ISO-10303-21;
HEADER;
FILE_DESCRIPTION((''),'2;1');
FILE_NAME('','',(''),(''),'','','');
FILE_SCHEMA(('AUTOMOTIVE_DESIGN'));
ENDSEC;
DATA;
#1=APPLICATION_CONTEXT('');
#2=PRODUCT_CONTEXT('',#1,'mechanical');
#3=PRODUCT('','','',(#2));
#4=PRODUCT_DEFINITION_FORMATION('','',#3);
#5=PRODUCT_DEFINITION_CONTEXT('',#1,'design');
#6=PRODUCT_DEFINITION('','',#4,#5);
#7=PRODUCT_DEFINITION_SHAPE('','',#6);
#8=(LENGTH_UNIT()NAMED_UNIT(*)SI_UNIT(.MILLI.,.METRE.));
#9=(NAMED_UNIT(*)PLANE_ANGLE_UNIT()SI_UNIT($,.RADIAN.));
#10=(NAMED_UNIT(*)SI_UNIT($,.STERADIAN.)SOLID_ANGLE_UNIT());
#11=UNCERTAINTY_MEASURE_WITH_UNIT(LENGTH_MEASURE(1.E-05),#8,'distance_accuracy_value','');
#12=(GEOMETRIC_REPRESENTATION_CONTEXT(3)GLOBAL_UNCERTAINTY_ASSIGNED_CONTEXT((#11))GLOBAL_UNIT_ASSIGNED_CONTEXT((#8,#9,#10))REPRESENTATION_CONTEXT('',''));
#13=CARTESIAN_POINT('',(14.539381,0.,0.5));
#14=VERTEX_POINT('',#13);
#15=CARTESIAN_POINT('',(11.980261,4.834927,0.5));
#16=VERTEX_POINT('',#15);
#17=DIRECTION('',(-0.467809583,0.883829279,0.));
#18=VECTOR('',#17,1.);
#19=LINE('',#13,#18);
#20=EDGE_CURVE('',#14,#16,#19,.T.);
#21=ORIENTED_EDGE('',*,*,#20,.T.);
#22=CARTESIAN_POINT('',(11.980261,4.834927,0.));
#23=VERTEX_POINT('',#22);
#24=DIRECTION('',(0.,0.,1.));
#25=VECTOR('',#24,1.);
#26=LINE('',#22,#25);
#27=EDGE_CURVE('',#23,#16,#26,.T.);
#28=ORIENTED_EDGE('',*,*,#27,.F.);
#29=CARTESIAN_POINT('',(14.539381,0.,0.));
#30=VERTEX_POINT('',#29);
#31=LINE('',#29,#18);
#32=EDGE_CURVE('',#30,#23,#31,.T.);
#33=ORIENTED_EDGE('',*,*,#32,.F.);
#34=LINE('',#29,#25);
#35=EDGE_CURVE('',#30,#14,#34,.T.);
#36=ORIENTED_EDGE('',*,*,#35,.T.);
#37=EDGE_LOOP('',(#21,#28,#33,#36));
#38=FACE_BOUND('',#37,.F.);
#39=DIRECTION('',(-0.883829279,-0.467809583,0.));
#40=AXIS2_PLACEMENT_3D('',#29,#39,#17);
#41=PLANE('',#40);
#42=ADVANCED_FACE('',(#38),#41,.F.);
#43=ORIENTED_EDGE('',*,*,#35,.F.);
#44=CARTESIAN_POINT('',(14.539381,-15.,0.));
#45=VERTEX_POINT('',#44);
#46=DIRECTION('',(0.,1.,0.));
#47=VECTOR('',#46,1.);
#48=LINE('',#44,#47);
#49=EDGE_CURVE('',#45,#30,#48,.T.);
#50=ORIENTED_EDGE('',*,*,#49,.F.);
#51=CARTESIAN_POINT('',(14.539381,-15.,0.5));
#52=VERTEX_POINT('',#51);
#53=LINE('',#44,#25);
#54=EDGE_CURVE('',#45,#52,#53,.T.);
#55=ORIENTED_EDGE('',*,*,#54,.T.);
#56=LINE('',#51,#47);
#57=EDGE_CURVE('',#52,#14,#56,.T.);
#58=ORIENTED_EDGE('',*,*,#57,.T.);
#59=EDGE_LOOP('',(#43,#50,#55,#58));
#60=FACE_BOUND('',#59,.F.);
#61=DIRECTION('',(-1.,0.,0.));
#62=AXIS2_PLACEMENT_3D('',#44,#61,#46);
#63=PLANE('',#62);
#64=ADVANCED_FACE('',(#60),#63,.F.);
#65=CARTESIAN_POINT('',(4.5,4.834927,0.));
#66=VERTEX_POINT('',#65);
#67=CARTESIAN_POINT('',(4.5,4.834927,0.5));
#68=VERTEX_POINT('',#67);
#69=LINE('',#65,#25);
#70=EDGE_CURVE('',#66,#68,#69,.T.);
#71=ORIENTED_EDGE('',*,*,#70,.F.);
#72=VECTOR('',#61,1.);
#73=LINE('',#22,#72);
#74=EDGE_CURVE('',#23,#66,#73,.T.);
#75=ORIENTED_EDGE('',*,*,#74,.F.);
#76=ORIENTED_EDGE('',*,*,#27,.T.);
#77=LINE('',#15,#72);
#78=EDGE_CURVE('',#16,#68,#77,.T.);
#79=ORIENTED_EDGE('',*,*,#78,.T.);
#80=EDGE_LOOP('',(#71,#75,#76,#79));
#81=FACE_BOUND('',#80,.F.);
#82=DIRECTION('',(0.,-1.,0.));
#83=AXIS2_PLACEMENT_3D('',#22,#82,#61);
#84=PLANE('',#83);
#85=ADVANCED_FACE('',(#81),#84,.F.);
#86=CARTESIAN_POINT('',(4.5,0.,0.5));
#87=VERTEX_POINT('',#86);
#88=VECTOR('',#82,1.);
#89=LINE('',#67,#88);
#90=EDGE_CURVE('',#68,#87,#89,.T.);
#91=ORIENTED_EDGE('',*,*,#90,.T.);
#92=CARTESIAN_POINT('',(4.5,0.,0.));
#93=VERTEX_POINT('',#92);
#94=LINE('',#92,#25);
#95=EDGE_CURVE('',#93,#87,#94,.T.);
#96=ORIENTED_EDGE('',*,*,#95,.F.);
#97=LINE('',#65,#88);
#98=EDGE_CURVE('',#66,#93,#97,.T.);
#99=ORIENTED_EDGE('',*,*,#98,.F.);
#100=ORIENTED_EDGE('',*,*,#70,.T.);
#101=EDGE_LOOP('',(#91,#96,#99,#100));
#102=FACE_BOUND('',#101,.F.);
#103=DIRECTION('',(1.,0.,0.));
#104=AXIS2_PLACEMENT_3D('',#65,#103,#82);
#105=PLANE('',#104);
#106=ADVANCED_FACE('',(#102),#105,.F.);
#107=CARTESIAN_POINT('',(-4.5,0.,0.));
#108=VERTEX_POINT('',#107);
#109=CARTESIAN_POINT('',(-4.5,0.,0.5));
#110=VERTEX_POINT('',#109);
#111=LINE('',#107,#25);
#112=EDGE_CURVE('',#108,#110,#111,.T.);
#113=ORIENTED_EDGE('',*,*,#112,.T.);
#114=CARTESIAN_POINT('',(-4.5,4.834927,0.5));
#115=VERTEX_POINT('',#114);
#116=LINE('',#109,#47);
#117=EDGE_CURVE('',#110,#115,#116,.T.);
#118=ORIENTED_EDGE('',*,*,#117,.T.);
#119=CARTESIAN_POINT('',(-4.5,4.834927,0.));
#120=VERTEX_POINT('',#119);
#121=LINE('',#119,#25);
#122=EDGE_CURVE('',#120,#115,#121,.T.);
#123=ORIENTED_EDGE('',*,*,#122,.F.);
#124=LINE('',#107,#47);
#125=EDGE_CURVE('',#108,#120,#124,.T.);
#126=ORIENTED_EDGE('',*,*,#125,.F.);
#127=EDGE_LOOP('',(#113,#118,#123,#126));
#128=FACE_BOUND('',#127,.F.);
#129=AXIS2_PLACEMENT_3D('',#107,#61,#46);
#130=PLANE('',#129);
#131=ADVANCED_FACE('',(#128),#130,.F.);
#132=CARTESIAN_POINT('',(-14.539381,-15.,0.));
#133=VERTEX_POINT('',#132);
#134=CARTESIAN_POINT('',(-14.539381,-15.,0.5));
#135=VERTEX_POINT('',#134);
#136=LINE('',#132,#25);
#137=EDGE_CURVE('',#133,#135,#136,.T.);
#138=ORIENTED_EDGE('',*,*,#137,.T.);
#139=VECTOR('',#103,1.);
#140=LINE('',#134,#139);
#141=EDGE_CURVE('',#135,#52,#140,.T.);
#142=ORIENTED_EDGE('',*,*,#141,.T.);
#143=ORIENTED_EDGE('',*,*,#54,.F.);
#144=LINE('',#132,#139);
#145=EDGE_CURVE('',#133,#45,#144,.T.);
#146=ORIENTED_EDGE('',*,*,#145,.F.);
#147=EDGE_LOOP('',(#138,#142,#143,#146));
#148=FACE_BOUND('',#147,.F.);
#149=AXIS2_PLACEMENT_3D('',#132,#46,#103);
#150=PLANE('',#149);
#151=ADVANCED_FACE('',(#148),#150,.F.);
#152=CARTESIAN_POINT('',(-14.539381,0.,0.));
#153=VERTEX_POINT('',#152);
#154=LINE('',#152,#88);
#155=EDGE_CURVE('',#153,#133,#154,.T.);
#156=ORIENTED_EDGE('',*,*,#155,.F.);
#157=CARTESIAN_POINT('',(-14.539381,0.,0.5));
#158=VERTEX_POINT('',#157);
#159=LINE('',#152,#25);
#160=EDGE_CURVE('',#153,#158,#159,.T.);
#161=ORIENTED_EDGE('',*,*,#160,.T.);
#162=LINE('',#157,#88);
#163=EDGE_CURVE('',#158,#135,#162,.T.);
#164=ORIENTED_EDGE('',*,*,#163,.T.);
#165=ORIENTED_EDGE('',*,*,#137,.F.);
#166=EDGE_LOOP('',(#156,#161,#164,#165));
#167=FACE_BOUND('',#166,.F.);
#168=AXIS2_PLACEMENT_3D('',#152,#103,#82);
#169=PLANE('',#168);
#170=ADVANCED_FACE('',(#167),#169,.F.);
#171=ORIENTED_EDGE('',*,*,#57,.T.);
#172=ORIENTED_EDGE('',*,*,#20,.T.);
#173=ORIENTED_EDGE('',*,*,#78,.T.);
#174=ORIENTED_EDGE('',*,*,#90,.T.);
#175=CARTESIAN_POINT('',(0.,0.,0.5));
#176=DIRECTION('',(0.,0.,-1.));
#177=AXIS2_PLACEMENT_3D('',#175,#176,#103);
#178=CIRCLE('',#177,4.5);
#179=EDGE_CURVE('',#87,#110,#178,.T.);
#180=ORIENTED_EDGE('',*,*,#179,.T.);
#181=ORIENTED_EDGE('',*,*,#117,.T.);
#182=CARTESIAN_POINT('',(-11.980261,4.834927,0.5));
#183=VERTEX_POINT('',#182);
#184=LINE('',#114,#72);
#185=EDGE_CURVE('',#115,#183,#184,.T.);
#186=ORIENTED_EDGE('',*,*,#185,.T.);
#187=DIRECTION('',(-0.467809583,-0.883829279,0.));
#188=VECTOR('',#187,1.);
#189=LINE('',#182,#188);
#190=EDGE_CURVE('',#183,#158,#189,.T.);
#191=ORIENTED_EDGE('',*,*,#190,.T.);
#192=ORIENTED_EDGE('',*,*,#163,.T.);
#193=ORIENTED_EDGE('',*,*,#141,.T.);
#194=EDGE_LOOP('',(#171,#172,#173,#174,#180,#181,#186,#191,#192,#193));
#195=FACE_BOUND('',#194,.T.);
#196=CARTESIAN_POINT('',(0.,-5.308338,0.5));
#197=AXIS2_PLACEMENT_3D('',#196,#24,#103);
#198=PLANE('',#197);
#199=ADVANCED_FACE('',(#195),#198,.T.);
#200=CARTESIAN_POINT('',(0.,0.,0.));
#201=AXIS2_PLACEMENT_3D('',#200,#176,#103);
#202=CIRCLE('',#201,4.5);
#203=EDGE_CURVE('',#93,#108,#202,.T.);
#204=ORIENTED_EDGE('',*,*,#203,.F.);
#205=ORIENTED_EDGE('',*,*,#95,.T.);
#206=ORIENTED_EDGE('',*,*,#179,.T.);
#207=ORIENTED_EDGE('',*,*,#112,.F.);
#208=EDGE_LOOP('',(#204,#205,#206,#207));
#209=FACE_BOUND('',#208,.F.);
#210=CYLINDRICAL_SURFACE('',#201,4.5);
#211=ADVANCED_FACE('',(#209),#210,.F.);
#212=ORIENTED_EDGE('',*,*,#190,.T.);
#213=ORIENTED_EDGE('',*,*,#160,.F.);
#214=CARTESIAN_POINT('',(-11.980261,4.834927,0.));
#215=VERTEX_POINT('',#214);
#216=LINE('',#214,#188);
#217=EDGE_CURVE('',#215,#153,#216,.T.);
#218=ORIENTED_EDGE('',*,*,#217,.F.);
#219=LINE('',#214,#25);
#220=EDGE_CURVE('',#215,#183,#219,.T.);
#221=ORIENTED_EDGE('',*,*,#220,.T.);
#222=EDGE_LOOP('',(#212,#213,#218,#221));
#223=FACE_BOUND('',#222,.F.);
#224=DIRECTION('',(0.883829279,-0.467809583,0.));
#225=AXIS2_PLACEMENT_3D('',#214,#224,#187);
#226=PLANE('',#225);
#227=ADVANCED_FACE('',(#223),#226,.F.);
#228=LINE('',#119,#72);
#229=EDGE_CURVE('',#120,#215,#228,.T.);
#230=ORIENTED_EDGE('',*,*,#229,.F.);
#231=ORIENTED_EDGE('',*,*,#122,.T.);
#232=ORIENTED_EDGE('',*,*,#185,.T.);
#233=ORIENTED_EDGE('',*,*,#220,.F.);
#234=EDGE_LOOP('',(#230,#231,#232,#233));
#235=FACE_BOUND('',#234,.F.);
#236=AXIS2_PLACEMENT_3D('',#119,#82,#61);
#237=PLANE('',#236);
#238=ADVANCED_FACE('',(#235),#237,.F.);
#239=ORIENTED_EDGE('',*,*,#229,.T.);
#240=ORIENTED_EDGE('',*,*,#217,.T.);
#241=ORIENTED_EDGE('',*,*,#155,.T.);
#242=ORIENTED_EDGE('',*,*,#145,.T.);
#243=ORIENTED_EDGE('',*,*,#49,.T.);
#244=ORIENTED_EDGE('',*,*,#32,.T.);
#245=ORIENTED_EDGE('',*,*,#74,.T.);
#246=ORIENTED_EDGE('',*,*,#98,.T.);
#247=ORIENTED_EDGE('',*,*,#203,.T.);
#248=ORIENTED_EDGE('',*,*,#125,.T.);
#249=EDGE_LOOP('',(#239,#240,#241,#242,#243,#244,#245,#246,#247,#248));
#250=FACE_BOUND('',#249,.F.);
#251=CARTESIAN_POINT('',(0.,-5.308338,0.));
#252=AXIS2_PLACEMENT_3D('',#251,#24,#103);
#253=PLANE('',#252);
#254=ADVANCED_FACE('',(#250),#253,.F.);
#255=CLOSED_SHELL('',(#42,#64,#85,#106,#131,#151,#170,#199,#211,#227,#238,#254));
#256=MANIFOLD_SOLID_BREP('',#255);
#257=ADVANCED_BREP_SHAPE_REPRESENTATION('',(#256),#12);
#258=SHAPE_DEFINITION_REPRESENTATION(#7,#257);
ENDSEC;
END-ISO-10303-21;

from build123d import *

# Parameters (mm, degrees)
F1_DEPTH = 0.5


with BuildPart() as f1:
    # F0 (on Top) → F1 (new body)
    with BuildSketch(Plane.XY):
        with BuildLine():
            ThreePointArc((4.5, 0), (0, -4.5), (-4.5, 0))
            Line((-4.5, 0), (-4.5, 4.834927))
            Line((-4.5, 4.834927), (-11.980261, 4.834927))
            Line((-11.980261, 4.834927), (-14.539381, 0))
            Line((-14.539381, 0), (-14.539381, -15))
            Line((-14.539381, -15), (0, -15))
            Line((0, -15), (14.539381, -15))
            Line((14.539381, -15), (14.539381, 0))
            Line((14.539381, 0), (11.980261, 4.834927))
            Line((11.980261, 4.834927), (4.5, 4.834927))
            Line((4.5, 4.834927), (4.5, 0))
        make_face()
    extrude(amount=F1_DEPTH)


solid = f1.part
